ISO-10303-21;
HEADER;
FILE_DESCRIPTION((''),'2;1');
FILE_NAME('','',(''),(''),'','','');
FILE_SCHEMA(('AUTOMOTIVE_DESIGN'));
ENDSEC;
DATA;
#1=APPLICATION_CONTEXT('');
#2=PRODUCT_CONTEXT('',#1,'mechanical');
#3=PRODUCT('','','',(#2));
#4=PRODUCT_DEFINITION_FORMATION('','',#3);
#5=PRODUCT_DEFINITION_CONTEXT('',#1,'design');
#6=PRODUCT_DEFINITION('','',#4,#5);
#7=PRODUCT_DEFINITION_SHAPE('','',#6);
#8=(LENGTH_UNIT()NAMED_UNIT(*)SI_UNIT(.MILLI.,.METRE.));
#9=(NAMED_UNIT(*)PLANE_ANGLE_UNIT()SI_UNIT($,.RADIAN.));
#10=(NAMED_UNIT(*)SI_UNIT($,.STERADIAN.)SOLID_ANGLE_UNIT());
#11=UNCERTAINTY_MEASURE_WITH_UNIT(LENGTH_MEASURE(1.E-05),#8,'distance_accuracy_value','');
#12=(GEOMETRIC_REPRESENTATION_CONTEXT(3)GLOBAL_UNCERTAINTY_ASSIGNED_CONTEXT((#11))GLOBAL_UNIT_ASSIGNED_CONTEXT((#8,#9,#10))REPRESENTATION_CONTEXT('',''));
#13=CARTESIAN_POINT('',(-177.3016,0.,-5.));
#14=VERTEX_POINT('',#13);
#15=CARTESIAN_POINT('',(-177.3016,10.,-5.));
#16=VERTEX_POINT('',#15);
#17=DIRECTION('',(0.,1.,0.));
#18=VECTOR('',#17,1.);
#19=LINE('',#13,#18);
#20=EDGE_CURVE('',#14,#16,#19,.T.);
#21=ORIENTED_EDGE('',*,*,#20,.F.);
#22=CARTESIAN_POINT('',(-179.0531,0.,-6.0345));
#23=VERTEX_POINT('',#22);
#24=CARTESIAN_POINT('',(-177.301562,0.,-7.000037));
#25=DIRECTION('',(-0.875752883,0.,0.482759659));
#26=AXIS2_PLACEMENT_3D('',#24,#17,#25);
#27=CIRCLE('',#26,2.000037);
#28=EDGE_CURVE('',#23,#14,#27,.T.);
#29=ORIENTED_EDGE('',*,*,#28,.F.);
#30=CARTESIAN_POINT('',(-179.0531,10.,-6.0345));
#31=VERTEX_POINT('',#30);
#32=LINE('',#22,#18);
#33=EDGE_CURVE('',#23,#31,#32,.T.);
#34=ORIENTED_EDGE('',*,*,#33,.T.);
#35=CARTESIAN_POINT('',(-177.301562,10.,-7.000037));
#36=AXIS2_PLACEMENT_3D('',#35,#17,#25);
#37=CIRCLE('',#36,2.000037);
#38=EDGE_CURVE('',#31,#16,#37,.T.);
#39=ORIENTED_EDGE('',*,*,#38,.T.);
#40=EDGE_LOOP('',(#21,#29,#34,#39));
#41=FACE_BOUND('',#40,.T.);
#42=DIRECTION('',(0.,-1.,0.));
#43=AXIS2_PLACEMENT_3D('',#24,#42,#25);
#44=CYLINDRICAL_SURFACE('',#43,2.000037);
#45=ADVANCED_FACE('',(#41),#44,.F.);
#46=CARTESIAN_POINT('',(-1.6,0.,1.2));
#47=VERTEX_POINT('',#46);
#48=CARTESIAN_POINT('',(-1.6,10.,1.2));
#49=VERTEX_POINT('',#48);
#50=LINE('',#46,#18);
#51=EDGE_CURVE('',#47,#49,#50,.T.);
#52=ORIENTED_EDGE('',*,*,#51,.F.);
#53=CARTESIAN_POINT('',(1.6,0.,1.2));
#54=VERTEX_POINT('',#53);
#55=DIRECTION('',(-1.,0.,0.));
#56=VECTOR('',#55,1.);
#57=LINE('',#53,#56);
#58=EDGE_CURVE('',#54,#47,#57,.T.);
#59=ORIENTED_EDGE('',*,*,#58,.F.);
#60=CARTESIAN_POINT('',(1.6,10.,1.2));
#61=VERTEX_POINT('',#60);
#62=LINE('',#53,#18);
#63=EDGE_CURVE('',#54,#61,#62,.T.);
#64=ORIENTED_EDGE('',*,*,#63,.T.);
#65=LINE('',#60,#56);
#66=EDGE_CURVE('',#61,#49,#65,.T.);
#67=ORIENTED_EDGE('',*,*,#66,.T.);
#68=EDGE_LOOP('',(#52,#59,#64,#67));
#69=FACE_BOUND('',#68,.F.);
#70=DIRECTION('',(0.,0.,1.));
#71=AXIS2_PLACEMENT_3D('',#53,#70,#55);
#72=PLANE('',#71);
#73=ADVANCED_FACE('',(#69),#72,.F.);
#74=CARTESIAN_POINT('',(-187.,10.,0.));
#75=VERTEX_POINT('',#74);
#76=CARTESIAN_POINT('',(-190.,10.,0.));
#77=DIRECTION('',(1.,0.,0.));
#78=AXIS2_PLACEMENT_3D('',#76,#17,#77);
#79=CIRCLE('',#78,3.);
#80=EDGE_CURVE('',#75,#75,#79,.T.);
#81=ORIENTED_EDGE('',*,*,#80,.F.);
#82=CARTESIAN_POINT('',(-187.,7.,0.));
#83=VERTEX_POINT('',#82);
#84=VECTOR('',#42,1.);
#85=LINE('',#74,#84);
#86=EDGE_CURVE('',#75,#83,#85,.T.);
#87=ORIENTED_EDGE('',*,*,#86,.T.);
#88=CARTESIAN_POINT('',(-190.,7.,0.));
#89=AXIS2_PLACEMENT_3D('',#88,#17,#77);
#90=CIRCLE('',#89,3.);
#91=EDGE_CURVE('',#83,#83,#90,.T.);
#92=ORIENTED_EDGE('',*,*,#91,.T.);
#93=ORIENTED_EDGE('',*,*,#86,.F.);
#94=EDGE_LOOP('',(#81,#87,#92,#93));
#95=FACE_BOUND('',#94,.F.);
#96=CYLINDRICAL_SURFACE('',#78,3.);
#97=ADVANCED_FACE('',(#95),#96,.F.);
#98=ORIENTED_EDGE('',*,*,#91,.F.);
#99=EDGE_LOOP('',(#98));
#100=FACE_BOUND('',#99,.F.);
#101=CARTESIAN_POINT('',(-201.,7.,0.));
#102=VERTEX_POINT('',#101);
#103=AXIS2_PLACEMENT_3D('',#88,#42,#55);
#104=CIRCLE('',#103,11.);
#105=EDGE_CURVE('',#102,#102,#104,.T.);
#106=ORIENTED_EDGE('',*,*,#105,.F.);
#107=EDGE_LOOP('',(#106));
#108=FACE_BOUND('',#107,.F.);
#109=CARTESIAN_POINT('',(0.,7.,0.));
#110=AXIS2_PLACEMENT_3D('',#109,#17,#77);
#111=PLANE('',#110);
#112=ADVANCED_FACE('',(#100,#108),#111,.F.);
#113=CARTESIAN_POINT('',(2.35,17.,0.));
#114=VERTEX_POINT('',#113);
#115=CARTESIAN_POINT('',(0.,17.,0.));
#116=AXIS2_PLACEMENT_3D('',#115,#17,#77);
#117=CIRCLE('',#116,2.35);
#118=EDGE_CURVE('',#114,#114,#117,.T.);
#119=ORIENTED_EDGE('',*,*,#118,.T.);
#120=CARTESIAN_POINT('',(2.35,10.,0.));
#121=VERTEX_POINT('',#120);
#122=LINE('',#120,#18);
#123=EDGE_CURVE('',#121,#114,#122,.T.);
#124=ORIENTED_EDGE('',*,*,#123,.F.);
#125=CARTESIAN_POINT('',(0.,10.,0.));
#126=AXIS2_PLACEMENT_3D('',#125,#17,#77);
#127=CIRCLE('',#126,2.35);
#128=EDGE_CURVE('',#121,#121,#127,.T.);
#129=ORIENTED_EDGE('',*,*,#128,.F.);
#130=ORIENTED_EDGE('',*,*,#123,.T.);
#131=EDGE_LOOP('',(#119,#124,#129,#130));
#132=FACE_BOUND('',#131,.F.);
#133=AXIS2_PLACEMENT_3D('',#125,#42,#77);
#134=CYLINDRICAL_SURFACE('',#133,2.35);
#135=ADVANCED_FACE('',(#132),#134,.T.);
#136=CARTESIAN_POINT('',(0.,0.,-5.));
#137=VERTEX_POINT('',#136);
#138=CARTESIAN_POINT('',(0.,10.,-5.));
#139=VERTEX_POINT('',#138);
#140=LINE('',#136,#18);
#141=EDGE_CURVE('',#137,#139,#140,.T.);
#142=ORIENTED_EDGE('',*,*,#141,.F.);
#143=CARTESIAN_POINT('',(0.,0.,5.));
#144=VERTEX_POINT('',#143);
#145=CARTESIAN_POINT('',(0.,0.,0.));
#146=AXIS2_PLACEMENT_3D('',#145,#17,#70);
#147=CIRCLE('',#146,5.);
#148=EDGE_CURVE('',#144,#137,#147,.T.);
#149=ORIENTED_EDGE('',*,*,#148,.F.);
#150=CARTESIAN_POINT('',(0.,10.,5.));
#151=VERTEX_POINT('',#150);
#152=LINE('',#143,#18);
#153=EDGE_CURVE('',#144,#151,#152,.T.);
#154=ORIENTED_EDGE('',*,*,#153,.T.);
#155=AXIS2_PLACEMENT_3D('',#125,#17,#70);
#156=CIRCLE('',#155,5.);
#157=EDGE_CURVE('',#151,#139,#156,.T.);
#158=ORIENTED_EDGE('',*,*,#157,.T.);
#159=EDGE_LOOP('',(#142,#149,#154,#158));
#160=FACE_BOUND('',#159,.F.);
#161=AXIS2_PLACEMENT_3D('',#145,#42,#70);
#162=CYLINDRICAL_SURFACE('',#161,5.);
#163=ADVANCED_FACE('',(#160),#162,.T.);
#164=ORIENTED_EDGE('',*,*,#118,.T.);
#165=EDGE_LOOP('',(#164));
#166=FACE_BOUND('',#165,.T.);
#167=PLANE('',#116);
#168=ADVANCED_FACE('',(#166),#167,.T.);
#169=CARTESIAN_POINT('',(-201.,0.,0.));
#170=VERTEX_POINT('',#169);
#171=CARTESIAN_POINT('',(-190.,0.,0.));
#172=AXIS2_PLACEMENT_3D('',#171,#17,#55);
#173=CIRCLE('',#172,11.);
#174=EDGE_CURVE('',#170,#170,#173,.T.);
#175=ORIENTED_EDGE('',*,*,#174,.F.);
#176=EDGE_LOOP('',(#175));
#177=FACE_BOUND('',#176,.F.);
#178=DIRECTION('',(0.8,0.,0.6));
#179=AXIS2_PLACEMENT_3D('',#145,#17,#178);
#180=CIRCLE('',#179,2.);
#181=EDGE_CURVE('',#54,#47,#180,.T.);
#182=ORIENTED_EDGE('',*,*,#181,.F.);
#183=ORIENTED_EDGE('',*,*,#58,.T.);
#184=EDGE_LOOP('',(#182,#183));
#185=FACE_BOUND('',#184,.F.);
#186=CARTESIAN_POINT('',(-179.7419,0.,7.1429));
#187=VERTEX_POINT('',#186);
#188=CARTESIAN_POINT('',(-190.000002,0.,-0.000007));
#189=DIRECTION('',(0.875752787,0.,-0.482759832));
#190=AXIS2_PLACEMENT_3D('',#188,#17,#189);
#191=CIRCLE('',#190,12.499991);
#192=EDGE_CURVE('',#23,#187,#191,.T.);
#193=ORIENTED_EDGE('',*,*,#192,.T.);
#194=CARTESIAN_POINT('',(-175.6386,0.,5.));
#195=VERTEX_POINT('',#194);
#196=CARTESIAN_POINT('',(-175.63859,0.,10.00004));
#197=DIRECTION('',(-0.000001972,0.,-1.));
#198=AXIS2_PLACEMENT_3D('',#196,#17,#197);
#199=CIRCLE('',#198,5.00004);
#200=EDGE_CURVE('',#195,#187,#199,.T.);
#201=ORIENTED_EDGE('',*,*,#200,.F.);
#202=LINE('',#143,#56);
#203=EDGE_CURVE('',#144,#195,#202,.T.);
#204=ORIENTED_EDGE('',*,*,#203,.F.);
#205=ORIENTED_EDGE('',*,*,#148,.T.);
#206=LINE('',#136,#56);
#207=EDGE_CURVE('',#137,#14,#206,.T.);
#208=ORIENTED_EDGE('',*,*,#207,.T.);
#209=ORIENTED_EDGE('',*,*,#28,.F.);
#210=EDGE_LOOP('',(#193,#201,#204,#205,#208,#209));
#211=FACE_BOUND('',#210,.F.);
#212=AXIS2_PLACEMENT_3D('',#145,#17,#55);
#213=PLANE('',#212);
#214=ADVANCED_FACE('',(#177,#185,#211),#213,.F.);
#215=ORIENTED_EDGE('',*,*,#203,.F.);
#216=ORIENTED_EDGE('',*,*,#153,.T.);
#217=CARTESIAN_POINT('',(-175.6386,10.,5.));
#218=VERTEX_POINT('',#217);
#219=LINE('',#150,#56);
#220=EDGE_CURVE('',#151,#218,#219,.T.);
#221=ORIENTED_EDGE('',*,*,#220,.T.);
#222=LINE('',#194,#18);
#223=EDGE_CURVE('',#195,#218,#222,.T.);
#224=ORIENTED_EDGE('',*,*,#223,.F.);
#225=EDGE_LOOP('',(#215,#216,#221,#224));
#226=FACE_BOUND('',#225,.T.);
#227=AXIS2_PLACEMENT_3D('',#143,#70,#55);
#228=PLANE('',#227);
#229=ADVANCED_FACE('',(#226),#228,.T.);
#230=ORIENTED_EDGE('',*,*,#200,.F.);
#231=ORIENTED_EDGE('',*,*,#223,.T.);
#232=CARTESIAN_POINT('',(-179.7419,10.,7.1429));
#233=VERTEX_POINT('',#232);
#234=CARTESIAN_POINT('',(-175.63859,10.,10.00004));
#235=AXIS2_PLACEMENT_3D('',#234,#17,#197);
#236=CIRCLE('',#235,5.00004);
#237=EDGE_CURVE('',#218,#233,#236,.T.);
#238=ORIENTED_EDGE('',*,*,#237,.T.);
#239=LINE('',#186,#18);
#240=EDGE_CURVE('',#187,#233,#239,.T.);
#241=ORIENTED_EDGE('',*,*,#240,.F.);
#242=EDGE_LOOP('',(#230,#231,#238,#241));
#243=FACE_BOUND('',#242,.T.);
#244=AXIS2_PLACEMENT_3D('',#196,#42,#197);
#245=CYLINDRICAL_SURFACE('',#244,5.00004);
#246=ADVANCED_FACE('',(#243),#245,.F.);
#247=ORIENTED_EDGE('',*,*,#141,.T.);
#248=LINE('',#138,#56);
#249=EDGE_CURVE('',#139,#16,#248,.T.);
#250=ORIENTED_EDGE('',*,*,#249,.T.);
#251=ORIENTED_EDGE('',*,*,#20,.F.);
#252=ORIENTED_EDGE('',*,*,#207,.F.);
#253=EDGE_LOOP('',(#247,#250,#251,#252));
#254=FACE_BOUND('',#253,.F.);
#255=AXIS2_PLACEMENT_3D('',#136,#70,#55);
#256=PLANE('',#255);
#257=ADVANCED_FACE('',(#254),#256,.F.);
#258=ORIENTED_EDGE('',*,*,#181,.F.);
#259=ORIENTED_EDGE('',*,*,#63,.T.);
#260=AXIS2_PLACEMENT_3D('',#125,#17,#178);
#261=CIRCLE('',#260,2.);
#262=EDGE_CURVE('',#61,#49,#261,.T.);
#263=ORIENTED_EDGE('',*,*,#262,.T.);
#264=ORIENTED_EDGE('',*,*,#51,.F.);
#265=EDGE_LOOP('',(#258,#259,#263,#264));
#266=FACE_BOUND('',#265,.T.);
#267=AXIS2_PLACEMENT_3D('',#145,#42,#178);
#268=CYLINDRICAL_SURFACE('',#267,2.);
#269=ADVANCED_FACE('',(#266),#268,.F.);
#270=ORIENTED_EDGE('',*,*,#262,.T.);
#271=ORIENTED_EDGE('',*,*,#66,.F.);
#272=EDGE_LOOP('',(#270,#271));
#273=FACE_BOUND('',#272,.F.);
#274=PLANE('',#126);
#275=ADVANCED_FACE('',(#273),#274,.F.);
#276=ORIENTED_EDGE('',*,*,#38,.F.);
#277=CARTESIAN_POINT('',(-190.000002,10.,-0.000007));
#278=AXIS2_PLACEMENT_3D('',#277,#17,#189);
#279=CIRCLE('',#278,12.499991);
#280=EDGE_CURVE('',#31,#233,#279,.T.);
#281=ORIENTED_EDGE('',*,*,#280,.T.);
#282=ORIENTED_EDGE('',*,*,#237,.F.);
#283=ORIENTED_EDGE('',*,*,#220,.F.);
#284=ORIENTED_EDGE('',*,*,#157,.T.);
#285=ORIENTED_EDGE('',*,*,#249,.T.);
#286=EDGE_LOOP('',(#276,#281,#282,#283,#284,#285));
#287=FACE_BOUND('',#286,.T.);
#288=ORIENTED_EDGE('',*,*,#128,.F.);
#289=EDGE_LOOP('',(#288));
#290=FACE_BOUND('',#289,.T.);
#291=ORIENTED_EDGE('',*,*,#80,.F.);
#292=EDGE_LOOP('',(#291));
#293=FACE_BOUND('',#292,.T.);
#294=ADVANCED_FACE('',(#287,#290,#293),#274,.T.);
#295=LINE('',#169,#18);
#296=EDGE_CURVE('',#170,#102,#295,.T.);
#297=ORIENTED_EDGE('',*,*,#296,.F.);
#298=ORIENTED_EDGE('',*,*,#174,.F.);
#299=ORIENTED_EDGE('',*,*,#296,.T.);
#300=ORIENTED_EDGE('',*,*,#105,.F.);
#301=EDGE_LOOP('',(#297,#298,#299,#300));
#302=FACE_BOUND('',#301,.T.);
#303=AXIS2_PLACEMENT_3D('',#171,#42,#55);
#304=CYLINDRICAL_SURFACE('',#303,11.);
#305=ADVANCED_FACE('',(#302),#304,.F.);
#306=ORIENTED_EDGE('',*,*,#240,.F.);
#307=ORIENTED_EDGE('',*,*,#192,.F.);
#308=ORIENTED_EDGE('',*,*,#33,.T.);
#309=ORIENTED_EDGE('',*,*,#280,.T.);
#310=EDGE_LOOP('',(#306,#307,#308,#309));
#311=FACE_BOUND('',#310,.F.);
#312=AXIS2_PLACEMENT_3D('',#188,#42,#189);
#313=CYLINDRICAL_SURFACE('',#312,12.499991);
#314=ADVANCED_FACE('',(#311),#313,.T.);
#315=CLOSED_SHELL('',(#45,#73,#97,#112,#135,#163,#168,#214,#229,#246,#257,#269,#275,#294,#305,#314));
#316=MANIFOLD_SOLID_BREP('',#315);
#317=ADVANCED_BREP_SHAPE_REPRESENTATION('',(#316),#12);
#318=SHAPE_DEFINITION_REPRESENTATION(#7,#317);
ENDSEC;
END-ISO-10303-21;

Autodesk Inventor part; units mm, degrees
ref_plane "YZ Plane" through (0, 0, 0) normal (1, 0, 0) x (0, 1, 0)
ref_plane "XZ Plane" through (0, 0, 0) normal (0, 1, 0) x (-1, 0, 0)
ref_plane "XY Plane" through (0, 0, 0) normal (0, 0, 1) x (1, 0, 0)
sketch "Sketch1" plane through (0, 0, 0) normal (0, 1, 0) x (-1, 0, 0)
  arc A0 (0, 5) -> (0, -5) centre (0, 0) ccw
  arc A1 (-1.6, 1.2) -> (1.6, 1.2) centre (0, 0) ccw
  line L0 (-1.6, 1.2) -> (1.6, 1.2)
  line L1 (95, 124.2688) -> (95, -104.3981) construction
  circle A2 centre (190, 0) radius 11
  arc A3 (179.0531, -6.0345) -> (179.7419, 7.1429) centre (190, 0) ccw
  line L2 (0, -5) -> (177.3016, -5)
  line L3 (0, 5) -> (175.6386, 5)
  arc A4 (179.0531, -6.0345) -> (177.3016, -5) centre (177.3016, -7) ccw
  arc A5 (175.6386, 5) -> (179.7419, 7.1429) centre (175.6386, 10) ccw
  point P0 (178.5436, -5)
  point P1 (178.5436, 5)
  dimension "d2" = 10
  dimension "d3" = 4
  dimension "d4" = 1.2
  dimension "d5" = 95
  dimension "d8" = 22
  dimension "d9" = 25
  dimension "d20" = 2
  dimension "d21" = 5
extrude "Extrusion2" add sketch "Sketch1" along normal blind 10
sketch "Sketch2" plane through (0, 10, 0) normal (0, 1, 0) x (1, 0, 0)
  circle A0 centre (0, 0) radius 2.35
  dimension "d12" = 4.7
extrude "Extrusion3" add sketch "Sketch2" along normal blind 7
sketch "Sketch3" plane through (0, 10, 0) normal (0, 1, 0) x (1, 0, 0)
  circle A0 centre (-190, 0) radius 11 construction
  line L0 (-179, 0) -> (-201, 0) construction
  circle A1 centre (-190, 0) radius 11
  circle A2 centre (-190, 0) radius 3
  point P0 (0, 0)
  dimension "d15" = 22
  dimension "d16" = 22
  dimension "d17" = 6
extrude "Extrusion4" add sketch "Sketch3" against normal blind 3
equation "\"d16\" = d15"
properties part number "eslabon1" material "Plástico ABS"
